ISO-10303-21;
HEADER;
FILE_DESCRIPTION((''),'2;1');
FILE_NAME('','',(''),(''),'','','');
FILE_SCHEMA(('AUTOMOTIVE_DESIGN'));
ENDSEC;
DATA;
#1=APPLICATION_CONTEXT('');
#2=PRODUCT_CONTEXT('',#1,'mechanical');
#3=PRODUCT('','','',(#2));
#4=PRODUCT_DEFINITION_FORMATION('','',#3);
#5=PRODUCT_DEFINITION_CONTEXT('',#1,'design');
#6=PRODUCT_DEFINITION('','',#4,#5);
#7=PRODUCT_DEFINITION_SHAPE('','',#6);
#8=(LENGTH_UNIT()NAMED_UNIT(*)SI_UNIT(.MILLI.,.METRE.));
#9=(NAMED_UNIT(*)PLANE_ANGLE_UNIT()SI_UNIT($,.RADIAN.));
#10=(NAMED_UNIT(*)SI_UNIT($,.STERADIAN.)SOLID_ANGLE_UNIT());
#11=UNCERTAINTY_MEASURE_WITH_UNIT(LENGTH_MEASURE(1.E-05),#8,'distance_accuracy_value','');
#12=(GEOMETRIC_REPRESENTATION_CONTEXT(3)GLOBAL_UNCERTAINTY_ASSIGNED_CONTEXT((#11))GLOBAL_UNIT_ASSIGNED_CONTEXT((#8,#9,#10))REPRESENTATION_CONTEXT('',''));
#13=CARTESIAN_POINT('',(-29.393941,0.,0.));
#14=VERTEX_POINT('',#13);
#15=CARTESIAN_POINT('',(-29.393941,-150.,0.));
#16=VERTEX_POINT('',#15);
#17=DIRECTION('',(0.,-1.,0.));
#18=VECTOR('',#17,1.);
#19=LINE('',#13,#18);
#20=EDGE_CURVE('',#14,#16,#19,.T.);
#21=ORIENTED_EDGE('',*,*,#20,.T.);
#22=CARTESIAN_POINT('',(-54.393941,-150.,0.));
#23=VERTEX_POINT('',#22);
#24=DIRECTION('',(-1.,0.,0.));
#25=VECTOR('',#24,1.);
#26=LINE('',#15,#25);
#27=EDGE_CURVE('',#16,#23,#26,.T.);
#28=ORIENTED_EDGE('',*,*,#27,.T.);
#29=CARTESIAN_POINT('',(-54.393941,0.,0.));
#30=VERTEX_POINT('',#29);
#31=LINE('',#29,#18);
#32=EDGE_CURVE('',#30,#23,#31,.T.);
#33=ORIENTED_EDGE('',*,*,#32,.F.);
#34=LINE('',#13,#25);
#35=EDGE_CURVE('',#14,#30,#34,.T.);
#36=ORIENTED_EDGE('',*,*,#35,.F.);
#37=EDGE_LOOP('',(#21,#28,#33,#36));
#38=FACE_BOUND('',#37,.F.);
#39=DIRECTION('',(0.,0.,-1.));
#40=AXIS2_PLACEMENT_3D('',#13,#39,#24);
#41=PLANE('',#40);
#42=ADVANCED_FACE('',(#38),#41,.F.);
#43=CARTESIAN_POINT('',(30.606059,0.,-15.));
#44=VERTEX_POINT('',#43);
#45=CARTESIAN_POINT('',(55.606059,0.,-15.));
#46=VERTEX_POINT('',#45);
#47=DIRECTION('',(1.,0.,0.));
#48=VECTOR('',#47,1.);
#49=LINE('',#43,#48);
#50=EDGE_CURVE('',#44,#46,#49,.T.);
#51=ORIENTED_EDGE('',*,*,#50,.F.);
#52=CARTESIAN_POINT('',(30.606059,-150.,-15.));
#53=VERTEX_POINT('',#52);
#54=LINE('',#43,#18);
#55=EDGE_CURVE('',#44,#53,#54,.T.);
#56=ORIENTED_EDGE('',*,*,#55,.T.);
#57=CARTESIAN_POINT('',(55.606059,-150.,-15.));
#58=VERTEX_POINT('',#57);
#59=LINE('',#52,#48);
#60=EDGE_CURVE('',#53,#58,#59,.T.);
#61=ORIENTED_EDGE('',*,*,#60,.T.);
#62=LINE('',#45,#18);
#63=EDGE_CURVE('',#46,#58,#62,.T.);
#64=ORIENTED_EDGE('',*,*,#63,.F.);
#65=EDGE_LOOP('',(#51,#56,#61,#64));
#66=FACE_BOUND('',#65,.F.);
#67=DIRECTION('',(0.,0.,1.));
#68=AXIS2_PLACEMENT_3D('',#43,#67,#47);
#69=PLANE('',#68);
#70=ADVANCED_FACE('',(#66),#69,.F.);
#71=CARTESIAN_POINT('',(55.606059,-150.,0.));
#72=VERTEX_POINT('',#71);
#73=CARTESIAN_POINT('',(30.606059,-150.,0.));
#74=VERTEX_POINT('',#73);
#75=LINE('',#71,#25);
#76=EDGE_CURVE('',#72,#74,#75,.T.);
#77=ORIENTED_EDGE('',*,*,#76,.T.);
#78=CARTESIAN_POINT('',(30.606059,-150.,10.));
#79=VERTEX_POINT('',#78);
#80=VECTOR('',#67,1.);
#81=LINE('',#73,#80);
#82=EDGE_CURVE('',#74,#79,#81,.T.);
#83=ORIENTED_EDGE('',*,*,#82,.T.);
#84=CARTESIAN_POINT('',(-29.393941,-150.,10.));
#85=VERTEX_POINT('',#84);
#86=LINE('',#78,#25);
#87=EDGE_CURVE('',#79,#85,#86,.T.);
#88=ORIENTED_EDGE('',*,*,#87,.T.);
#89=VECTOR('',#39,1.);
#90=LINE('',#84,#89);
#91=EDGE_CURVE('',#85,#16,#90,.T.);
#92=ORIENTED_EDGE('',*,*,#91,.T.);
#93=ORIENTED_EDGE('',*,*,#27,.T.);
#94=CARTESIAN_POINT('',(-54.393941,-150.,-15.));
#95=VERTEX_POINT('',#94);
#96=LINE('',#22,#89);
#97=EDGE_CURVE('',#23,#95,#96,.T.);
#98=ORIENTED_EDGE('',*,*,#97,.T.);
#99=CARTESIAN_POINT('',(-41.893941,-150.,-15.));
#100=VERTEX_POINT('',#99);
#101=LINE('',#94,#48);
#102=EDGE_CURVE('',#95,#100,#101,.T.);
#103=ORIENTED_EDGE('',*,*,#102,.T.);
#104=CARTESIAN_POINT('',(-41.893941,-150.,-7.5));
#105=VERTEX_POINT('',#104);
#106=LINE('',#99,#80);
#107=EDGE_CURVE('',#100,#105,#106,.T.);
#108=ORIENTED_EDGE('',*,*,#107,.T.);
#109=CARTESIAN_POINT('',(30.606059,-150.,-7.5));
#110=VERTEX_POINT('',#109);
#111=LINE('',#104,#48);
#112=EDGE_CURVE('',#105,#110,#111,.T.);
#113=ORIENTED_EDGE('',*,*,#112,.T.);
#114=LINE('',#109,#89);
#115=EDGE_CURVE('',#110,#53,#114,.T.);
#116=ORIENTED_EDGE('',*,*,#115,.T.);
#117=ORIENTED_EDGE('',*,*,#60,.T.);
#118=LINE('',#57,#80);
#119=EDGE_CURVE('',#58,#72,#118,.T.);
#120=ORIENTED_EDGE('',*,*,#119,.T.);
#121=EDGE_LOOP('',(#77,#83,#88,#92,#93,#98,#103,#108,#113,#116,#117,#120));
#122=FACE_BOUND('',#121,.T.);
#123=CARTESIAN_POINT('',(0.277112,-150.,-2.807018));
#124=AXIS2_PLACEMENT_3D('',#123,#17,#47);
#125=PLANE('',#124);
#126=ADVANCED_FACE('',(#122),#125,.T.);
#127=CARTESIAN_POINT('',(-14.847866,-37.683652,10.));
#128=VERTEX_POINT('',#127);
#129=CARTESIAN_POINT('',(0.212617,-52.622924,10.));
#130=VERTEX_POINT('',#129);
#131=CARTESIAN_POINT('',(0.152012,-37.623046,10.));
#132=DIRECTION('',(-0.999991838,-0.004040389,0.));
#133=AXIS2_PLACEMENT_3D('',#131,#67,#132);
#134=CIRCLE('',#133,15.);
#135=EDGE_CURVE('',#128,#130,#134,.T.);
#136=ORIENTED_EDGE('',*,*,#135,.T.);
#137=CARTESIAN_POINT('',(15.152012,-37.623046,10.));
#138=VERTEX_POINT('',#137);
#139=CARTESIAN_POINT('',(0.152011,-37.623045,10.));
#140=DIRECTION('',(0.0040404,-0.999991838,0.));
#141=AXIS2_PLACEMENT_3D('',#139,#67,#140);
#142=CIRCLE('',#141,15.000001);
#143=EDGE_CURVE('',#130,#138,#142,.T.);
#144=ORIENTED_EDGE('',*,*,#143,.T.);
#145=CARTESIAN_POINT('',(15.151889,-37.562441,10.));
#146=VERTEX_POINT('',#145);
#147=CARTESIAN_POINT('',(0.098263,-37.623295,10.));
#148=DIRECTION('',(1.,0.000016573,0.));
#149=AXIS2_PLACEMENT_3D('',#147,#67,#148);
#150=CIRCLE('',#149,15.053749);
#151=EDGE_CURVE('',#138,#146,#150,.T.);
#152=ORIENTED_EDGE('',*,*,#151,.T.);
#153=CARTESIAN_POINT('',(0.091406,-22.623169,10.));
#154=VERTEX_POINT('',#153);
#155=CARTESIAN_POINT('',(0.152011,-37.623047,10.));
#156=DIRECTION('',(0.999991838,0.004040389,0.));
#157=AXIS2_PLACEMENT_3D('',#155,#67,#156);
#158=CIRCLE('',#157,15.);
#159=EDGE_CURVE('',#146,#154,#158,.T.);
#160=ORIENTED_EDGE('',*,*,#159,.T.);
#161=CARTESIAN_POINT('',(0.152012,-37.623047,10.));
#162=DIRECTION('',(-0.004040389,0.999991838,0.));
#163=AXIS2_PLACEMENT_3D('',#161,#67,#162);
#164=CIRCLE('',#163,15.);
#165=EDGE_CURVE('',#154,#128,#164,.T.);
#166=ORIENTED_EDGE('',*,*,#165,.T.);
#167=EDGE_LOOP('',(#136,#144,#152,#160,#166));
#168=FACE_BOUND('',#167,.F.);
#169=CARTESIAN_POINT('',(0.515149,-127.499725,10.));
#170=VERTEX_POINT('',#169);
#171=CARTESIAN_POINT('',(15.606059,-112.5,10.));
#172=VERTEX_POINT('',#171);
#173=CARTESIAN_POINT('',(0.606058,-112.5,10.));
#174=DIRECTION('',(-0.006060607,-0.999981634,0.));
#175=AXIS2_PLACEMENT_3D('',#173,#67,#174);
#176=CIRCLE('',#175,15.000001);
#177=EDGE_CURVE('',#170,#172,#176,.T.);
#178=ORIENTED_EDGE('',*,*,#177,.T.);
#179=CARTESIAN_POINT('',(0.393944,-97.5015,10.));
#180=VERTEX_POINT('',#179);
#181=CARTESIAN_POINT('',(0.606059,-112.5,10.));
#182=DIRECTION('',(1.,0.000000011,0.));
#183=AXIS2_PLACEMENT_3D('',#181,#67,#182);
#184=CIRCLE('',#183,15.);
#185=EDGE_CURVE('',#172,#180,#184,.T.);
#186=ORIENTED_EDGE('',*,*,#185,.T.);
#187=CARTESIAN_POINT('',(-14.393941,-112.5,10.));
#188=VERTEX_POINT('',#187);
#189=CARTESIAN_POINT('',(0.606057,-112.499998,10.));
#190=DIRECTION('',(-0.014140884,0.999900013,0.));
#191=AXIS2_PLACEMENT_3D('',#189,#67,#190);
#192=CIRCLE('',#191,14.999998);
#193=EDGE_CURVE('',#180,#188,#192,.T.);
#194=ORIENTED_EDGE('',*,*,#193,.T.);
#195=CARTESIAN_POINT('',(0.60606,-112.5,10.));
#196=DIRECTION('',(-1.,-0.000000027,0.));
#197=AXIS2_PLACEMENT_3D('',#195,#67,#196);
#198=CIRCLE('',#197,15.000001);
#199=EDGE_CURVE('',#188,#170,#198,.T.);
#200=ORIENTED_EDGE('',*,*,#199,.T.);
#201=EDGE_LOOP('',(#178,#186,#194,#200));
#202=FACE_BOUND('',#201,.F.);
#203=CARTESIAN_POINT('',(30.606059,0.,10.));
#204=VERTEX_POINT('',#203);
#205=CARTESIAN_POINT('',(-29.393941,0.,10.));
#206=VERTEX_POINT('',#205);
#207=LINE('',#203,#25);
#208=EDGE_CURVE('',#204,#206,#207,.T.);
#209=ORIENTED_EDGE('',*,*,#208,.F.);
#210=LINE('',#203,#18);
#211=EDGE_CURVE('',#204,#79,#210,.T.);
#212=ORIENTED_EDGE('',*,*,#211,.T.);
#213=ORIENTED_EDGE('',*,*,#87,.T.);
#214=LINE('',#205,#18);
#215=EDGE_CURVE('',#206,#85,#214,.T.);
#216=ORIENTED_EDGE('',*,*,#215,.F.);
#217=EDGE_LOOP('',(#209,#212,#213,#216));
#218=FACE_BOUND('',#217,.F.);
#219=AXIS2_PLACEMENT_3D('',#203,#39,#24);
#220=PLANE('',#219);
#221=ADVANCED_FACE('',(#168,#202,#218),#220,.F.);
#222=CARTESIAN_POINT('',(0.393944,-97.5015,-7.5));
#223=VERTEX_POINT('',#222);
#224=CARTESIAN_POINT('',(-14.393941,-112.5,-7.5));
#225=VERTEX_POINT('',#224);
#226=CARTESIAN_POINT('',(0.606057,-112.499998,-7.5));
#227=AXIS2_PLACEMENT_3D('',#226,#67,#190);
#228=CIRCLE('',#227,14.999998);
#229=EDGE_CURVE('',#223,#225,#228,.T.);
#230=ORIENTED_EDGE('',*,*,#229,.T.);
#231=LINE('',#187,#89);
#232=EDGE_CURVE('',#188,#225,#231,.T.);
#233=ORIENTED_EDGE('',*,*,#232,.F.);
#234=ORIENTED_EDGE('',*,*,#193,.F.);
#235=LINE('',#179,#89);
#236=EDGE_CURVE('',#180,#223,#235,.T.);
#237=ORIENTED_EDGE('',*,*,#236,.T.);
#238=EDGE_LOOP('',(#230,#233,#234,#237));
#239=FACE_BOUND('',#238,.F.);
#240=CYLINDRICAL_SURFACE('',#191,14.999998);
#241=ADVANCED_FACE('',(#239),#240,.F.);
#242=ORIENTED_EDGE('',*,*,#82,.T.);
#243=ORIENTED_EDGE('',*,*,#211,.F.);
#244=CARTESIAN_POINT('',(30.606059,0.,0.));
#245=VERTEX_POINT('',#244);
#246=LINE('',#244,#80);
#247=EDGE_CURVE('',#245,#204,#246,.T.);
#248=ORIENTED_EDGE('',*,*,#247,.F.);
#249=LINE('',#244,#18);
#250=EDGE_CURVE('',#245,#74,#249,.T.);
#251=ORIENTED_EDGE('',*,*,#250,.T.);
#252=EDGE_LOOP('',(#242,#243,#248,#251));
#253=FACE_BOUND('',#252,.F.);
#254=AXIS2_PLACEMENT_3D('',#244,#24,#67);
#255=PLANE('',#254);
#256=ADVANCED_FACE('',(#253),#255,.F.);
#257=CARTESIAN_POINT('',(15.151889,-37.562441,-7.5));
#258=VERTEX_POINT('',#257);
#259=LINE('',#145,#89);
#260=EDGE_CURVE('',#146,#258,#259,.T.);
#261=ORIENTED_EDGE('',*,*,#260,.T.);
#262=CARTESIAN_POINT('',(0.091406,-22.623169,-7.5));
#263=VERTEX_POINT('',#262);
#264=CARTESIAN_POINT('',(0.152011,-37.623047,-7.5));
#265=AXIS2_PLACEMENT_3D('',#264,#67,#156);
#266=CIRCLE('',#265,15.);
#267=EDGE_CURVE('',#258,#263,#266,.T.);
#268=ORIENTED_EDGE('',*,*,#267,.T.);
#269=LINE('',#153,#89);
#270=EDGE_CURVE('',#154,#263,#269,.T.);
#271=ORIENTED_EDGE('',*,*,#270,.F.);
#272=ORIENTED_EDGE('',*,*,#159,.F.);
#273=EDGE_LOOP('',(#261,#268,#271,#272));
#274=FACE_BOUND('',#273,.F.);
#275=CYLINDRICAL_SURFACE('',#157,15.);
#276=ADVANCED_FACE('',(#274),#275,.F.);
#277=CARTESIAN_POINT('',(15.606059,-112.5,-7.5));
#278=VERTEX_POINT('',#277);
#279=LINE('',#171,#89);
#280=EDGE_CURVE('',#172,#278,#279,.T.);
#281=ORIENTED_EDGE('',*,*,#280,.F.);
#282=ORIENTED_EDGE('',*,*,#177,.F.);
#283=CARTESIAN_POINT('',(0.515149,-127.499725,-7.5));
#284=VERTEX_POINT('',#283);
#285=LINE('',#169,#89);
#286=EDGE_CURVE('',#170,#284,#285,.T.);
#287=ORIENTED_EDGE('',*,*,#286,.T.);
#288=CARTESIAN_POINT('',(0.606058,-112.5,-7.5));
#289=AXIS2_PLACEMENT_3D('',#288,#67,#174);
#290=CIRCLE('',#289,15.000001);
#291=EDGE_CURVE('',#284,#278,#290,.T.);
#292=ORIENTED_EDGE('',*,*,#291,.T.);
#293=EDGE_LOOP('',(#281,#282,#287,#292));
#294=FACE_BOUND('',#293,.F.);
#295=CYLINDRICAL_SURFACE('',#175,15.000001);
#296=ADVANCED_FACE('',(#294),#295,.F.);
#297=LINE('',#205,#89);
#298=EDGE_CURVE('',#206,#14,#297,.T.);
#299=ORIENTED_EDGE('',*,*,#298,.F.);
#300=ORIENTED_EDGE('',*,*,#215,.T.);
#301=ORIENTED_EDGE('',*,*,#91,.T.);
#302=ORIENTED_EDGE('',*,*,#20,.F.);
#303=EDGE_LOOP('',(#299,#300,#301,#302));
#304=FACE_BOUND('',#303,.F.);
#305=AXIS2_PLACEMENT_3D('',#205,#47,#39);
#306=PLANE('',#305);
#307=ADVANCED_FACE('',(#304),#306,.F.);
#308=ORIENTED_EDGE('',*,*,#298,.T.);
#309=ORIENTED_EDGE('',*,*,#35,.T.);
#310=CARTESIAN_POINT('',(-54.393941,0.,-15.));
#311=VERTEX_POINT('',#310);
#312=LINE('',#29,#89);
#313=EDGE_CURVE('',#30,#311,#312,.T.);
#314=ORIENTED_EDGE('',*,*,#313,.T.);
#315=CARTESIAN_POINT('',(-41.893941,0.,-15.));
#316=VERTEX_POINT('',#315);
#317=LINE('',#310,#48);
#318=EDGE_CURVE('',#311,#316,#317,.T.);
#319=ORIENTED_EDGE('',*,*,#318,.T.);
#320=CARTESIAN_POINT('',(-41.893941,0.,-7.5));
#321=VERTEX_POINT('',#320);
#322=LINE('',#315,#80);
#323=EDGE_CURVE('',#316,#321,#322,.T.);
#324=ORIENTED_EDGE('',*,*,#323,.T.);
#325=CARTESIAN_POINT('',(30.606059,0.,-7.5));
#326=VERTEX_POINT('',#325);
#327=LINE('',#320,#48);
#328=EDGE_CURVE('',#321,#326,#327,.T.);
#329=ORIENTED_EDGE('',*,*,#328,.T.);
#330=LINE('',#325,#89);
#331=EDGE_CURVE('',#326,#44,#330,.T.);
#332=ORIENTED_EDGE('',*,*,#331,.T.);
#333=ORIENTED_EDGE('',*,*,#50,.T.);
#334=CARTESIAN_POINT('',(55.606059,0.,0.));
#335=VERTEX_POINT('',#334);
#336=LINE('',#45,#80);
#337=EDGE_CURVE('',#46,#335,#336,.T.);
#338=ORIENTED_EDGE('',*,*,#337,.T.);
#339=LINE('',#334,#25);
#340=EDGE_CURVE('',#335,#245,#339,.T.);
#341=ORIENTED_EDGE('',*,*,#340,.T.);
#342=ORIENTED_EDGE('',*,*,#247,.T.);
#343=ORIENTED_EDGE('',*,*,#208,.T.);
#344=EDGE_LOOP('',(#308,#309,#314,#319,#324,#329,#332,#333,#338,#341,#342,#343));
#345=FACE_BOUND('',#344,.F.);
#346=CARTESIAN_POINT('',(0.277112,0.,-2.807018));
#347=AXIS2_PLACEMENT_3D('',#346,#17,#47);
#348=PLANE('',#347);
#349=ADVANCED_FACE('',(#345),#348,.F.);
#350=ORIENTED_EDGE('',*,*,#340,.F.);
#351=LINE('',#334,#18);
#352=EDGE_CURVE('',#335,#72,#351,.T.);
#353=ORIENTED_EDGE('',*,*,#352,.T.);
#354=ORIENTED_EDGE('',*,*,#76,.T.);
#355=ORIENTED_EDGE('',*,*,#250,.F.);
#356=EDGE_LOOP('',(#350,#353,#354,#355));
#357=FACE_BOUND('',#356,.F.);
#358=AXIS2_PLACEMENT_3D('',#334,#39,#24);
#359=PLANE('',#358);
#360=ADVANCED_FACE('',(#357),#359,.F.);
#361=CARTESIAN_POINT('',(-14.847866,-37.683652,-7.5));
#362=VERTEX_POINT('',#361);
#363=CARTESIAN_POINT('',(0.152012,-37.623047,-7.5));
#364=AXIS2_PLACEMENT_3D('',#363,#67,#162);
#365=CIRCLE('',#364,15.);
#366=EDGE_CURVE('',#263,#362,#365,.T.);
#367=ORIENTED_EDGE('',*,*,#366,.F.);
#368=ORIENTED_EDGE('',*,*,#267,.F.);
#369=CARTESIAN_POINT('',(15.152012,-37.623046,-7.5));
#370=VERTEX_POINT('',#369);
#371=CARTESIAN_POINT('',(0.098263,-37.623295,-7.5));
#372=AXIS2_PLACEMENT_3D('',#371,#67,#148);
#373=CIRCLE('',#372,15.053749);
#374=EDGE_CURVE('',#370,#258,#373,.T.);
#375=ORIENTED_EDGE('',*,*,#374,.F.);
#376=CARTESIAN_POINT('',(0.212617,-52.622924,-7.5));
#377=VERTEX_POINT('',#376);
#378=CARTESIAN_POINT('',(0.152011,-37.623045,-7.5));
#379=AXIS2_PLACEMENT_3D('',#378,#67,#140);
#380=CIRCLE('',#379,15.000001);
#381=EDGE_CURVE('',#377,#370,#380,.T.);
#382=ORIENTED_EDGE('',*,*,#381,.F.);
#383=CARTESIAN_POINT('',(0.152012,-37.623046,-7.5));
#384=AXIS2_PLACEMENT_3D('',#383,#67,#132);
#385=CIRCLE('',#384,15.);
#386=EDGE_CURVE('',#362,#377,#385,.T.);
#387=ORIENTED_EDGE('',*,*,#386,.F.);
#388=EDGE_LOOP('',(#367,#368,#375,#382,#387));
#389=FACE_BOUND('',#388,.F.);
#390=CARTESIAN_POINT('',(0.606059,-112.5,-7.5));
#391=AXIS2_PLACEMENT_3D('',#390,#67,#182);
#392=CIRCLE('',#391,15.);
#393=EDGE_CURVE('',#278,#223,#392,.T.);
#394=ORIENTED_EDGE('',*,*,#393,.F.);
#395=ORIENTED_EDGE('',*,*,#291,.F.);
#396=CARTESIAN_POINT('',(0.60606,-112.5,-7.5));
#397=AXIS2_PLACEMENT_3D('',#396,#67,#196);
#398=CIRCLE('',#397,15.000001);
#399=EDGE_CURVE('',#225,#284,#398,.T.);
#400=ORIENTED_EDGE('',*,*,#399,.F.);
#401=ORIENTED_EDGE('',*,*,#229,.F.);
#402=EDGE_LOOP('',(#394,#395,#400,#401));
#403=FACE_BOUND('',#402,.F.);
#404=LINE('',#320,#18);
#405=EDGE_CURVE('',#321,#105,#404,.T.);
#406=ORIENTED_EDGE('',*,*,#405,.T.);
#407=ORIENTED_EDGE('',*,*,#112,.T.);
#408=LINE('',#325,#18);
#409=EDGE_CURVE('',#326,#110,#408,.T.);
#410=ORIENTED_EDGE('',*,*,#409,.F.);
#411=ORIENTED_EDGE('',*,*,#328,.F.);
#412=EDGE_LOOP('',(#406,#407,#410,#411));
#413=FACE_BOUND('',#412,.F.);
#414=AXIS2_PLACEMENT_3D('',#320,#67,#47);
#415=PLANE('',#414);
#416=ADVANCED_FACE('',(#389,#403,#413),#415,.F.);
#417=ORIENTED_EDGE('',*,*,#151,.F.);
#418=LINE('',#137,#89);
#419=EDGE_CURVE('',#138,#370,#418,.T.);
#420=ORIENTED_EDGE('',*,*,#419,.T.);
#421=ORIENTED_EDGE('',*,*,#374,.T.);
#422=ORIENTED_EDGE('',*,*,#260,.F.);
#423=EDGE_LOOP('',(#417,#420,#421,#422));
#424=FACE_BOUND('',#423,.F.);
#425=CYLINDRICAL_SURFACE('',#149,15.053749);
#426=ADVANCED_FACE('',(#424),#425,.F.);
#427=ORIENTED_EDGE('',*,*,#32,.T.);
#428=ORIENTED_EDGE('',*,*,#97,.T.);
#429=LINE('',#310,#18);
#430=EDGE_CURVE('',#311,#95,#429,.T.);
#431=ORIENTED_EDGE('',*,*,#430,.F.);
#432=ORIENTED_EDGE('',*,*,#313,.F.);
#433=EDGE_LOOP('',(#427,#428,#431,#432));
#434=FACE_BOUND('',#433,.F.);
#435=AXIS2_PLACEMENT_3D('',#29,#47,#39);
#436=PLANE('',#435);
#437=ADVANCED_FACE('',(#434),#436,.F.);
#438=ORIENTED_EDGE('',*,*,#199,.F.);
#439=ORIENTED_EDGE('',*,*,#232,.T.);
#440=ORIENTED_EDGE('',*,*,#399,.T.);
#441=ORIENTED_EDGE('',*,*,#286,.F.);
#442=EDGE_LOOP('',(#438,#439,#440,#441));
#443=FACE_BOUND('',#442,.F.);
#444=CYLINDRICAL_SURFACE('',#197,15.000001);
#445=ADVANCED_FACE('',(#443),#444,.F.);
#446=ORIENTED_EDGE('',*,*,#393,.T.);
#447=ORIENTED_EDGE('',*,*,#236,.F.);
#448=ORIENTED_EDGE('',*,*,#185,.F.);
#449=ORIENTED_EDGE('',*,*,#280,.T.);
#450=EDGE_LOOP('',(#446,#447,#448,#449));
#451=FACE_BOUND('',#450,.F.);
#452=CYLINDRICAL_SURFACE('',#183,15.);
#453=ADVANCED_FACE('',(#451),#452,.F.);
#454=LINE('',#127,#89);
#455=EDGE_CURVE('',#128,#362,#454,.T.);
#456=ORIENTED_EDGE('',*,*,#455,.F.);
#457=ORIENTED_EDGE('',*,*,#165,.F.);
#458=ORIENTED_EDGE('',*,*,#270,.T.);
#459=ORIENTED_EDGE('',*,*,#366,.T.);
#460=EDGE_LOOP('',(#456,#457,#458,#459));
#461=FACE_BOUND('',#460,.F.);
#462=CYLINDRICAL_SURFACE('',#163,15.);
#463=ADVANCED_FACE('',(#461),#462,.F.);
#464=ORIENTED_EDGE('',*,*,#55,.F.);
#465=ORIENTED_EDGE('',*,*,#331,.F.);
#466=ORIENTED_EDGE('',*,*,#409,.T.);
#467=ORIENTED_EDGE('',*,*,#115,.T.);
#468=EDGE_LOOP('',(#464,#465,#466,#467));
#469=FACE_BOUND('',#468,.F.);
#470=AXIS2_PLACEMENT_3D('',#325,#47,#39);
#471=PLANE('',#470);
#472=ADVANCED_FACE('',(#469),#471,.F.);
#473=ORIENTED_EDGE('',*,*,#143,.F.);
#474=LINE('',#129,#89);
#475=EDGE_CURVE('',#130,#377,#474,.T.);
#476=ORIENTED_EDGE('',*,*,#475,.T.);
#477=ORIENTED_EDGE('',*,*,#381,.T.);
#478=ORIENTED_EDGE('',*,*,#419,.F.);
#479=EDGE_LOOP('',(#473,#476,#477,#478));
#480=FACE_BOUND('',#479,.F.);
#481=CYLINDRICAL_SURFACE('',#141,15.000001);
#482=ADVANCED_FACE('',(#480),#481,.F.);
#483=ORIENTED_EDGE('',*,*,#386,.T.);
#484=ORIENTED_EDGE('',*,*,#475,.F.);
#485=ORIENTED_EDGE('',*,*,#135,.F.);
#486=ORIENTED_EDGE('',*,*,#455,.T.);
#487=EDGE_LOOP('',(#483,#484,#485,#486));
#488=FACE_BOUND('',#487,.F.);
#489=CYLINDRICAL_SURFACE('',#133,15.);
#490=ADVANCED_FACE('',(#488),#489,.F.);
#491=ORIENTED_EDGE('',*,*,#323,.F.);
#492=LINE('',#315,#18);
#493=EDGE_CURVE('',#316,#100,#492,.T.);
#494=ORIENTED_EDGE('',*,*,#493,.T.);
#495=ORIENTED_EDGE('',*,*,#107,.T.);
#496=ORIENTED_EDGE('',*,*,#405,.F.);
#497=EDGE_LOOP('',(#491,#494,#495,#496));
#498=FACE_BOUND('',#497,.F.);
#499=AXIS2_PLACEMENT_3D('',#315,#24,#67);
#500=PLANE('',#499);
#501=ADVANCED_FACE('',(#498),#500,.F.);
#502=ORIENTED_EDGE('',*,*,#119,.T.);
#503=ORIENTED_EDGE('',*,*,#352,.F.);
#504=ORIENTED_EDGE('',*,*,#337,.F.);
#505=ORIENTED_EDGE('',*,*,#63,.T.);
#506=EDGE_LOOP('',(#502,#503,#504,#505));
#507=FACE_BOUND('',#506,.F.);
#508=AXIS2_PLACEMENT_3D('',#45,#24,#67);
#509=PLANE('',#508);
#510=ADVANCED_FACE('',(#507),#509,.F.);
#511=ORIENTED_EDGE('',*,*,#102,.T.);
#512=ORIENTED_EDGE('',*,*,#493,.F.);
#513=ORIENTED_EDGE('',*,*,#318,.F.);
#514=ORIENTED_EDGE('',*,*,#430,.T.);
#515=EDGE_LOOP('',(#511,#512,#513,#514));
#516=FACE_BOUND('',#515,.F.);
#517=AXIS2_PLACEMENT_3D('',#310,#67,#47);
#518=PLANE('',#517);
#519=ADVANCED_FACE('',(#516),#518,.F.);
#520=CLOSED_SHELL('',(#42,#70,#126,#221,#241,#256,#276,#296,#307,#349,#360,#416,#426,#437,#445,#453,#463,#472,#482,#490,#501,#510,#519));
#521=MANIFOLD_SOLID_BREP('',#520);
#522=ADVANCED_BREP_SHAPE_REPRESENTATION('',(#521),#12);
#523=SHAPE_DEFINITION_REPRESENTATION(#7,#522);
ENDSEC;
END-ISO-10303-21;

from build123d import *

# Parameters (mm, degrees)
F1_DEPTH = 150
F3_DEPTH = 50


with BuildPart() as f1:
    # F0 (on Front) → F1 (new body)
    with BuildSketch(Plane.XZ):
        Polygon((-54.393941, 0), (-54.393941, -15), (-41.893941, -15), (-41.893941, -7.5), (30.606059, -7.5), (30.606059, -15), (55.606059, -15), (55.606059, 0), (30.606059, 0), (30.606059, 10), (-29.393941, 10), (-29.393941, 0), align=None)
    extrude(amount=F1_DEPTH)

    # F2 (on face) → F3 (cut)
    with BuildSketch(Plane.XY.offset(10)):
        with BuildLine():
            ThreePointArc((15.151889, -37.562441), (10.715672, -26.973677), (0.091406, -22.623169))
            Line((0.091406, -22.623169), (0.152012, -37.623046))
            Line((0.152012, -37.623046), (15.151889, -37.562441))
        make_face()
        with BuildLine():
            ThreePointArc((15.606059, -112.5), (11.1374, -101.818668), (0.393944, -97.5015))
            Line((0.393944, -97.5015), (0.454544, -112.5))
            Line((0.454544, -112.5), (15.606059, -112.5))
        make_face()
        with BuildLine():
            Line((0.454544, -112.5), (0.393944, -97.5015))
            ThreePointArc((0.393944, -97.5015), (-10.075274, -101.968659), (-14.393941, -112.5))
            Line((-14.393941, -112.5), (0.454544, -112.5))
        make_face()
        with BuildLine():
            Line((0.152012, -37.623046), (0.091406, -22.623169))
            ThreePointArc((0.091406, -22.623169), (-10.497358, -27.059386), (-14.847866, -37.683652))
            Line((-14.847866, -37.683652), (0.152012, -37.623046))
        make_face()
        with BuildLine():
            Line((15.151889, -37.562441), (0.152012, -37.623046))
            Line((0.152012, -37.623046), (0.212617, -52.622924))
            ThreePointArc((0.212617, -52.622924), (10.780019, -48.208199), (15.152012, -37.623046))
            ThreePointArc((15.152012, -37.623046), (15.151981, -37.592744), (15.151889, -37.562441))
        make_face()
        with BuildLine():
            Line((0.212617, -52.622924), (0.152012, -37.623046))
            Line((0.152012, -37.623046), (-14.847866, -37.683652))
            ThreePointArc((-14.847866, -37.683652), (-10.411649, -48.272416), (0.212617, -52.622924))
        make_face()
        with BuildLine():
            Line((15.606059, -112.5), (0.454544, -112.5))
            Line((0.454544, -112.5), (0.515149, -127.499725))
            ThreePointArc((0.515149, -127.499725), (11.18047, -123.138695), (15.606059, -112.5))
        make_face()
        with BuildLine():
            Line((0.515149, -127.499725), (0.454544, -112.5))
            Line((0.454544, -112.5), (-14.393941, -112.5))
            ThreePointArc((-14.393941, -112.5), (-10.032636, -123.074411), (0.515149, -127.499725))
        make_face()
    extrude(amount=-F3_DEPTH, mode=Mode.SUBTRACT)


solid = f1.part
